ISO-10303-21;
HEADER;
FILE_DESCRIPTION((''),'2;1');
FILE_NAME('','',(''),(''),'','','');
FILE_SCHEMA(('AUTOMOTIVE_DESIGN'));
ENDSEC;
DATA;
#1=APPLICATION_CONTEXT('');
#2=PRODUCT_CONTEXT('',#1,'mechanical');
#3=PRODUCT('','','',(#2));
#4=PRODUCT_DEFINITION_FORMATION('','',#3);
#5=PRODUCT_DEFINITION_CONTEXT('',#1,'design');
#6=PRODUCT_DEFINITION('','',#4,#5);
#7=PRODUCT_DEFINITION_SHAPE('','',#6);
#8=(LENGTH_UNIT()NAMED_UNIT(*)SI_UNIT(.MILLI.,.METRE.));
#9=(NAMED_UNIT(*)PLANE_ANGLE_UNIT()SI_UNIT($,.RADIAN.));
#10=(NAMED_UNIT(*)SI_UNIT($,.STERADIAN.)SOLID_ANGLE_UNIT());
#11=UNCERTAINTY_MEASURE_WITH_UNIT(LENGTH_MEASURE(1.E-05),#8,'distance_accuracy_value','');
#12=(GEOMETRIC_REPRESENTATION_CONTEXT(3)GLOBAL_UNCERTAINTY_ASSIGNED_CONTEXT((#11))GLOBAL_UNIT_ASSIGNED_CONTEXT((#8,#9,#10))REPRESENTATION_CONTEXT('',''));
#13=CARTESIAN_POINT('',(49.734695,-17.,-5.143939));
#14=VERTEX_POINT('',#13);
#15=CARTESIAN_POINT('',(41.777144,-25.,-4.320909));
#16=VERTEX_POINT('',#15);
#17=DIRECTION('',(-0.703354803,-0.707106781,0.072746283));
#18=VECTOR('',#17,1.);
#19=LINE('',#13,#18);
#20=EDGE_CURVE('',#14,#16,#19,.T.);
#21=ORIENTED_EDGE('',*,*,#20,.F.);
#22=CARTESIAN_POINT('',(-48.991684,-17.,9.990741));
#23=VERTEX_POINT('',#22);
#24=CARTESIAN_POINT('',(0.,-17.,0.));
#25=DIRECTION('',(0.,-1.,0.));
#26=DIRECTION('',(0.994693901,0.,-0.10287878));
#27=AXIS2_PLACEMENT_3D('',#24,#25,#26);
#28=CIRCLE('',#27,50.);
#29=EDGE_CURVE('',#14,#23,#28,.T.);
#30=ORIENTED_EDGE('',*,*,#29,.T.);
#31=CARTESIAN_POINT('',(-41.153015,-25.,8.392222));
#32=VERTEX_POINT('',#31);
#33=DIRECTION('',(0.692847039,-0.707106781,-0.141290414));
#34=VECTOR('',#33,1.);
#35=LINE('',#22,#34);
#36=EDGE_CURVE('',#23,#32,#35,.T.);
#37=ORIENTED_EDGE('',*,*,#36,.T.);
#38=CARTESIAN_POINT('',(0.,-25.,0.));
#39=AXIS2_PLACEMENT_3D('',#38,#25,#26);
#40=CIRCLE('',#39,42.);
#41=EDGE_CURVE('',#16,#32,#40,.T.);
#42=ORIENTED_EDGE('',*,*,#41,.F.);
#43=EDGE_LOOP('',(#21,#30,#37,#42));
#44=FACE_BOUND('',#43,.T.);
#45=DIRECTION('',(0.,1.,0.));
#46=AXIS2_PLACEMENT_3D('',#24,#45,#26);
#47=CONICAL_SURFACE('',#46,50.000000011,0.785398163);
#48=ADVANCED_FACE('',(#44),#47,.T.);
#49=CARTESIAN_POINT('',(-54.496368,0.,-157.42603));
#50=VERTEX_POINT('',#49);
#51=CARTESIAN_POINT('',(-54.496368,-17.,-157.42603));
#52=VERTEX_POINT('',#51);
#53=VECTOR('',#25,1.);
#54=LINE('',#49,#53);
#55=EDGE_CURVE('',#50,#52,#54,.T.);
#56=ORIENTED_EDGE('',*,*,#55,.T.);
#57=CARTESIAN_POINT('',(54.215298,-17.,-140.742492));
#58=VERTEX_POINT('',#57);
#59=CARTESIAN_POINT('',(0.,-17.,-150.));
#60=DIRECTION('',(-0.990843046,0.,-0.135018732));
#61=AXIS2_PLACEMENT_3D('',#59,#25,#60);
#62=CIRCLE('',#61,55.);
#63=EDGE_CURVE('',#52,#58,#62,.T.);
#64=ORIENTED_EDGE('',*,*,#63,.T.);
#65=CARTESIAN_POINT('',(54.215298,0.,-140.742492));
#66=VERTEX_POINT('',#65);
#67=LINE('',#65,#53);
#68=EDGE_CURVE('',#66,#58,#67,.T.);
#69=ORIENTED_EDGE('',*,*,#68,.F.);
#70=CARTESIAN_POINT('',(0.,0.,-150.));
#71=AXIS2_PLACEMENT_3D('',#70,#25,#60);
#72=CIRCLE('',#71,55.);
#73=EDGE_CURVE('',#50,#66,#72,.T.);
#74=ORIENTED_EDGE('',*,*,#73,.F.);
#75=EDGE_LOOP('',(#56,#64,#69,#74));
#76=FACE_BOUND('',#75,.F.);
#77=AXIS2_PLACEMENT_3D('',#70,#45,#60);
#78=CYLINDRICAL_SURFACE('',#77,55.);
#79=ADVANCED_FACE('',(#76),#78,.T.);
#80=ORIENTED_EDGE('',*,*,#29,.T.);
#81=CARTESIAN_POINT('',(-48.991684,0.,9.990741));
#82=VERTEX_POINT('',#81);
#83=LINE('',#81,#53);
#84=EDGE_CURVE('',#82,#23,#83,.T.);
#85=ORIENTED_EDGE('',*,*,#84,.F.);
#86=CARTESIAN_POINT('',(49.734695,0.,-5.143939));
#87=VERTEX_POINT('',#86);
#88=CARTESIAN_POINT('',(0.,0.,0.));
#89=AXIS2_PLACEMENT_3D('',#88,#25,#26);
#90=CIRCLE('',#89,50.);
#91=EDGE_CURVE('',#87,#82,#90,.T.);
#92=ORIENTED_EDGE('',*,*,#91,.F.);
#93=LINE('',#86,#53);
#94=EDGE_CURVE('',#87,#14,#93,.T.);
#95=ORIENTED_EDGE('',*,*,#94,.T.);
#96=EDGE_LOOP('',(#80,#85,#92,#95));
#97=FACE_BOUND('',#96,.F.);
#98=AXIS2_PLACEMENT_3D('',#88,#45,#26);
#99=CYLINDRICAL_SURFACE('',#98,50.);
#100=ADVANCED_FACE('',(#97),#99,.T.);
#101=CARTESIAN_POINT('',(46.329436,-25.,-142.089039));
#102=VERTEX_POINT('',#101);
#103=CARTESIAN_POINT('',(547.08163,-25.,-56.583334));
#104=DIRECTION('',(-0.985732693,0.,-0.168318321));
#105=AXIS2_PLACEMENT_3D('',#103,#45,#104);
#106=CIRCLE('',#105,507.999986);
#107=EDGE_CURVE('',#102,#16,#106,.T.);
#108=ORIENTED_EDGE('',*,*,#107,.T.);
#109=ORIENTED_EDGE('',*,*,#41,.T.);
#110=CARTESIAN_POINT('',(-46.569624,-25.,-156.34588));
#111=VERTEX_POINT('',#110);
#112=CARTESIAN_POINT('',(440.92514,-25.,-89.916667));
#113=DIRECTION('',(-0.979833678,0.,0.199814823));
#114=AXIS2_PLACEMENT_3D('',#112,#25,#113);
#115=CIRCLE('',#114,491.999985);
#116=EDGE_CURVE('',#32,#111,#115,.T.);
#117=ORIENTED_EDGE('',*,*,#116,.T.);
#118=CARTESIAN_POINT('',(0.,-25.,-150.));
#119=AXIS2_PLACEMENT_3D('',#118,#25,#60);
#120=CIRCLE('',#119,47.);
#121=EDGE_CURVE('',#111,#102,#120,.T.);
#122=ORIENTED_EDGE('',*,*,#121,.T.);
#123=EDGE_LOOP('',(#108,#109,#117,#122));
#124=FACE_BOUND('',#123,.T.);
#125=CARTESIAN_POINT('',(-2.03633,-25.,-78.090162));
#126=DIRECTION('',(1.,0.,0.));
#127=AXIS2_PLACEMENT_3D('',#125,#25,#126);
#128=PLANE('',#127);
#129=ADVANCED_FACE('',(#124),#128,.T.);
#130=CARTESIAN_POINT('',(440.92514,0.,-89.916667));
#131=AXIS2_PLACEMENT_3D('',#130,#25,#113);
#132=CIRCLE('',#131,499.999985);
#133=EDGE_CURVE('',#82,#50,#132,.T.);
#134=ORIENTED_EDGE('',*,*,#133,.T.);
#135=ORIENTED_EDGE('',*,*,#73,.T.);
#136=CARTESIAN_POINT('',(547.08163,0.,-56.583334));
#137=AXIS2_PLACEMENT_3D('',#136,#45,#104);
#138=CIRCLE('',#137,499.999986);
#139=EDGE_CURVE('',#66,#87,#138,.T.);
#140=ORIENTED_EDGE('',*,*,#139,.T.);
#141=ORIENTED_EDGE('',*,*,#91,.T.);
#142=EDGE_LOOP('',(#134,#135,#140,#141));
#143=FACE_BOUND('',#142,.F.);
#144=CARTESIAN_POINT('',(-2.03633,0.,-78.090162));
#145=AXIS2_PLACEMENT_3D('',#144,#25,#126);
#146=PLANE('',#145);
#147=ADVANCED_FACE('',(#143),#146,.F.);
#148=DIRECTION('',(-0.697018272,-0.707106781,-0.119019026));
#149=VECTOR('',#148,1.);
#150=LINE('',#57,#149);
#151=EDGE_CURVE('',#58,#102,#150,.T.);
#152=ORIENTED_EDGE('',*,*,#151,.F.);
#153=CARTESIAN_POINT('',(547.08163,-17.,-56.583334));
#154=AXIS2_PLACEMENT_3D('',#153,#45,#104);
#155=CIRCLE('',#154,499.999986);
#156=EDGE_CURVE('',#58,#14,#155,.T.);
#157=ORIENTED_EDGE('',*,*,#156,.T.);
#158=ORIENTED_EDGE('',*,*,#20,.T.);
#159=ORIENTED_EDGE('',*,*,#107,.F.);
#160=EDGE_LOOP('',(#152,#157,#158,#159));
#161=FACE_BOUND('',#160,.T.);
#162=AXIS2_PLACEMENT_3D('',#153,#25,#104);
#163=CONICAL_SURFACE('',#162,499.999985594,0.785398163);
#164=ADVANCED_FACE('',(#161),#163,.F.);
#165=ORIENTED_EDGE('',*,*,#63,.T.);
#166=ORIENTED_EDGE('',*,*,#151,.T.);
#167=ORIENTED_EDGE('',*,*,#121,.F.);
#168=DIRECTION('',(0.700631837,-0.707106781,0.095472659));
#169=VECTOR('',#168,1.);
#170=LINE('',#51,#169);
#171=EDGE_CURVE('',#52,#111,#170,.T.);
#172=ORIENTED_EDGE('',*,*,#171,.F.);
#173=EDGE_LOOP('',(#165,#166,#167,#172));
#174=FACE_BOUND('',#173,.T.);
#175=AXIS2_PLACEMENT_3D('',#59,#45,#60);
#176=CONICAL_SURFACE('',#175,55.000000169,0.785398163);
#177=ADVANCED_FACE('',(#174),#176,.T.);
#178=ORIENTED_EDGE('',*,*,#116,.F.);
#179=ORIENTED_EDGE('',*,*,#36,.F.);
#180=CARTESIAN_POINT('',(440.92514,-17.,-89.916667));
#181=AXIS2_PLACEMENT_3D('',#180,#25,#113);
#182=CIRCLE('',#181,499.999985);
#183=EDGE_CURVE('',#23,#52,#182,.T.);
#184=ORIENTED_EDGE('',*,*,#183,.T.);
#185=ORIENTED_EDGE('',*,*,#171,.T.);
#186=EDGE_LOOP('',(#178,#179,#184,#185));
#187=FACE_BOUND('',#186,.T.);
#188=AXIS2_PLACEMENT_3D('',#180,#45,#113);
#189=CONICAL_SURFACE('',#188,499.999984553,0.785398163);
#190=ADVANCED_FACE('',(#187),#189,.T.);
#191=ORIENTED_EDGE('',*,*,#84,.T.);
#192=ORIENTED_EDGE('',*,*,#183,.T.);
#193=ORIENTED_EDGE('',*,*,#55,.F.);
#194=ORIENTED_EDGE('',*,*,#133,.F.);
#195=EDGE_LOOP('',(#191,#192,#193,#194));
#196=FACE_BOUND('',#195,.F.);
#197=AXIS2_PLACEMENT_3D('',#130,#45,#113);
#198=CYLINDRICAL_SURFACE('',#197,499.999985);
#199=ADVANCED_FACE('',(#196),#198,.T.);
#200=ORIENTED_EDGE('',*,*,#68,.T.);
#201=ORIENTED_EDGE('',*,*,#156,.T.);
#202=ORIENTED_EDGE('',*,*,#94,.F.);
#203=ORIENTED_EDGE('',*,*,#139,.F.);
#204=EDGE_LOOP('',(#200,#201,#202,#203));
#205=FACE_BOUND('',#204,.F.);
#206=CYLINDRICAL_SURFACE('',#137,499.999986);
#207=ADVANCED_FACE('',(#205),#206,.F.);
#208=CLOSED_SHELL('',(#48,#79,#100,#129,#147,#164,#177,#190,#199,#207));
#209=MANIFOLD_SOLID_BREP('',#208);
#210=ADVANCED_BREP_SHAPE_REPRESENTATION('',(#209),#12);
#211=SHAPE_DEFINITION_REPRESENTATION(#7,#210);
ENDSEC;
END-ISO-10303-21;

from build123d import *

# Parameters (mm, degrees)
F1_DEPTH = 25
F2_SIZE  = 8


with BuildPart() as f1:
    # F0 (on Front) → F1 (new body)
    with BuildSketch(Plane.XZ):
        with BuildLine():
            ThreePointArc((54.215298, -140.742492), (47.354384, -73.095896), (49.734695, -5.143939))
            ThreePointArc((49.734695, -5.143939), (7.576454, 49.42264), (-48.991684, 9.990741))
            ThreePointArc((-48.991684, 9.990741), (-58.804788, -73.485486), (-54.496368, -157.42603))
            ThreePointArc((-54.496368, -157.42603), (8.342952, -204.363546), (54.215298, -140.742492))
        make_face()
    extrude(amount=F1_DEPTH)

    # F2
    f2_edges = [f1.edges().sort_by_distance(p)[0] for p in [
        (7.576454, -25, 49.42264),
    ]]
    chamfer(f2_edges, length=F2_SIZE)


solid = f1.part
